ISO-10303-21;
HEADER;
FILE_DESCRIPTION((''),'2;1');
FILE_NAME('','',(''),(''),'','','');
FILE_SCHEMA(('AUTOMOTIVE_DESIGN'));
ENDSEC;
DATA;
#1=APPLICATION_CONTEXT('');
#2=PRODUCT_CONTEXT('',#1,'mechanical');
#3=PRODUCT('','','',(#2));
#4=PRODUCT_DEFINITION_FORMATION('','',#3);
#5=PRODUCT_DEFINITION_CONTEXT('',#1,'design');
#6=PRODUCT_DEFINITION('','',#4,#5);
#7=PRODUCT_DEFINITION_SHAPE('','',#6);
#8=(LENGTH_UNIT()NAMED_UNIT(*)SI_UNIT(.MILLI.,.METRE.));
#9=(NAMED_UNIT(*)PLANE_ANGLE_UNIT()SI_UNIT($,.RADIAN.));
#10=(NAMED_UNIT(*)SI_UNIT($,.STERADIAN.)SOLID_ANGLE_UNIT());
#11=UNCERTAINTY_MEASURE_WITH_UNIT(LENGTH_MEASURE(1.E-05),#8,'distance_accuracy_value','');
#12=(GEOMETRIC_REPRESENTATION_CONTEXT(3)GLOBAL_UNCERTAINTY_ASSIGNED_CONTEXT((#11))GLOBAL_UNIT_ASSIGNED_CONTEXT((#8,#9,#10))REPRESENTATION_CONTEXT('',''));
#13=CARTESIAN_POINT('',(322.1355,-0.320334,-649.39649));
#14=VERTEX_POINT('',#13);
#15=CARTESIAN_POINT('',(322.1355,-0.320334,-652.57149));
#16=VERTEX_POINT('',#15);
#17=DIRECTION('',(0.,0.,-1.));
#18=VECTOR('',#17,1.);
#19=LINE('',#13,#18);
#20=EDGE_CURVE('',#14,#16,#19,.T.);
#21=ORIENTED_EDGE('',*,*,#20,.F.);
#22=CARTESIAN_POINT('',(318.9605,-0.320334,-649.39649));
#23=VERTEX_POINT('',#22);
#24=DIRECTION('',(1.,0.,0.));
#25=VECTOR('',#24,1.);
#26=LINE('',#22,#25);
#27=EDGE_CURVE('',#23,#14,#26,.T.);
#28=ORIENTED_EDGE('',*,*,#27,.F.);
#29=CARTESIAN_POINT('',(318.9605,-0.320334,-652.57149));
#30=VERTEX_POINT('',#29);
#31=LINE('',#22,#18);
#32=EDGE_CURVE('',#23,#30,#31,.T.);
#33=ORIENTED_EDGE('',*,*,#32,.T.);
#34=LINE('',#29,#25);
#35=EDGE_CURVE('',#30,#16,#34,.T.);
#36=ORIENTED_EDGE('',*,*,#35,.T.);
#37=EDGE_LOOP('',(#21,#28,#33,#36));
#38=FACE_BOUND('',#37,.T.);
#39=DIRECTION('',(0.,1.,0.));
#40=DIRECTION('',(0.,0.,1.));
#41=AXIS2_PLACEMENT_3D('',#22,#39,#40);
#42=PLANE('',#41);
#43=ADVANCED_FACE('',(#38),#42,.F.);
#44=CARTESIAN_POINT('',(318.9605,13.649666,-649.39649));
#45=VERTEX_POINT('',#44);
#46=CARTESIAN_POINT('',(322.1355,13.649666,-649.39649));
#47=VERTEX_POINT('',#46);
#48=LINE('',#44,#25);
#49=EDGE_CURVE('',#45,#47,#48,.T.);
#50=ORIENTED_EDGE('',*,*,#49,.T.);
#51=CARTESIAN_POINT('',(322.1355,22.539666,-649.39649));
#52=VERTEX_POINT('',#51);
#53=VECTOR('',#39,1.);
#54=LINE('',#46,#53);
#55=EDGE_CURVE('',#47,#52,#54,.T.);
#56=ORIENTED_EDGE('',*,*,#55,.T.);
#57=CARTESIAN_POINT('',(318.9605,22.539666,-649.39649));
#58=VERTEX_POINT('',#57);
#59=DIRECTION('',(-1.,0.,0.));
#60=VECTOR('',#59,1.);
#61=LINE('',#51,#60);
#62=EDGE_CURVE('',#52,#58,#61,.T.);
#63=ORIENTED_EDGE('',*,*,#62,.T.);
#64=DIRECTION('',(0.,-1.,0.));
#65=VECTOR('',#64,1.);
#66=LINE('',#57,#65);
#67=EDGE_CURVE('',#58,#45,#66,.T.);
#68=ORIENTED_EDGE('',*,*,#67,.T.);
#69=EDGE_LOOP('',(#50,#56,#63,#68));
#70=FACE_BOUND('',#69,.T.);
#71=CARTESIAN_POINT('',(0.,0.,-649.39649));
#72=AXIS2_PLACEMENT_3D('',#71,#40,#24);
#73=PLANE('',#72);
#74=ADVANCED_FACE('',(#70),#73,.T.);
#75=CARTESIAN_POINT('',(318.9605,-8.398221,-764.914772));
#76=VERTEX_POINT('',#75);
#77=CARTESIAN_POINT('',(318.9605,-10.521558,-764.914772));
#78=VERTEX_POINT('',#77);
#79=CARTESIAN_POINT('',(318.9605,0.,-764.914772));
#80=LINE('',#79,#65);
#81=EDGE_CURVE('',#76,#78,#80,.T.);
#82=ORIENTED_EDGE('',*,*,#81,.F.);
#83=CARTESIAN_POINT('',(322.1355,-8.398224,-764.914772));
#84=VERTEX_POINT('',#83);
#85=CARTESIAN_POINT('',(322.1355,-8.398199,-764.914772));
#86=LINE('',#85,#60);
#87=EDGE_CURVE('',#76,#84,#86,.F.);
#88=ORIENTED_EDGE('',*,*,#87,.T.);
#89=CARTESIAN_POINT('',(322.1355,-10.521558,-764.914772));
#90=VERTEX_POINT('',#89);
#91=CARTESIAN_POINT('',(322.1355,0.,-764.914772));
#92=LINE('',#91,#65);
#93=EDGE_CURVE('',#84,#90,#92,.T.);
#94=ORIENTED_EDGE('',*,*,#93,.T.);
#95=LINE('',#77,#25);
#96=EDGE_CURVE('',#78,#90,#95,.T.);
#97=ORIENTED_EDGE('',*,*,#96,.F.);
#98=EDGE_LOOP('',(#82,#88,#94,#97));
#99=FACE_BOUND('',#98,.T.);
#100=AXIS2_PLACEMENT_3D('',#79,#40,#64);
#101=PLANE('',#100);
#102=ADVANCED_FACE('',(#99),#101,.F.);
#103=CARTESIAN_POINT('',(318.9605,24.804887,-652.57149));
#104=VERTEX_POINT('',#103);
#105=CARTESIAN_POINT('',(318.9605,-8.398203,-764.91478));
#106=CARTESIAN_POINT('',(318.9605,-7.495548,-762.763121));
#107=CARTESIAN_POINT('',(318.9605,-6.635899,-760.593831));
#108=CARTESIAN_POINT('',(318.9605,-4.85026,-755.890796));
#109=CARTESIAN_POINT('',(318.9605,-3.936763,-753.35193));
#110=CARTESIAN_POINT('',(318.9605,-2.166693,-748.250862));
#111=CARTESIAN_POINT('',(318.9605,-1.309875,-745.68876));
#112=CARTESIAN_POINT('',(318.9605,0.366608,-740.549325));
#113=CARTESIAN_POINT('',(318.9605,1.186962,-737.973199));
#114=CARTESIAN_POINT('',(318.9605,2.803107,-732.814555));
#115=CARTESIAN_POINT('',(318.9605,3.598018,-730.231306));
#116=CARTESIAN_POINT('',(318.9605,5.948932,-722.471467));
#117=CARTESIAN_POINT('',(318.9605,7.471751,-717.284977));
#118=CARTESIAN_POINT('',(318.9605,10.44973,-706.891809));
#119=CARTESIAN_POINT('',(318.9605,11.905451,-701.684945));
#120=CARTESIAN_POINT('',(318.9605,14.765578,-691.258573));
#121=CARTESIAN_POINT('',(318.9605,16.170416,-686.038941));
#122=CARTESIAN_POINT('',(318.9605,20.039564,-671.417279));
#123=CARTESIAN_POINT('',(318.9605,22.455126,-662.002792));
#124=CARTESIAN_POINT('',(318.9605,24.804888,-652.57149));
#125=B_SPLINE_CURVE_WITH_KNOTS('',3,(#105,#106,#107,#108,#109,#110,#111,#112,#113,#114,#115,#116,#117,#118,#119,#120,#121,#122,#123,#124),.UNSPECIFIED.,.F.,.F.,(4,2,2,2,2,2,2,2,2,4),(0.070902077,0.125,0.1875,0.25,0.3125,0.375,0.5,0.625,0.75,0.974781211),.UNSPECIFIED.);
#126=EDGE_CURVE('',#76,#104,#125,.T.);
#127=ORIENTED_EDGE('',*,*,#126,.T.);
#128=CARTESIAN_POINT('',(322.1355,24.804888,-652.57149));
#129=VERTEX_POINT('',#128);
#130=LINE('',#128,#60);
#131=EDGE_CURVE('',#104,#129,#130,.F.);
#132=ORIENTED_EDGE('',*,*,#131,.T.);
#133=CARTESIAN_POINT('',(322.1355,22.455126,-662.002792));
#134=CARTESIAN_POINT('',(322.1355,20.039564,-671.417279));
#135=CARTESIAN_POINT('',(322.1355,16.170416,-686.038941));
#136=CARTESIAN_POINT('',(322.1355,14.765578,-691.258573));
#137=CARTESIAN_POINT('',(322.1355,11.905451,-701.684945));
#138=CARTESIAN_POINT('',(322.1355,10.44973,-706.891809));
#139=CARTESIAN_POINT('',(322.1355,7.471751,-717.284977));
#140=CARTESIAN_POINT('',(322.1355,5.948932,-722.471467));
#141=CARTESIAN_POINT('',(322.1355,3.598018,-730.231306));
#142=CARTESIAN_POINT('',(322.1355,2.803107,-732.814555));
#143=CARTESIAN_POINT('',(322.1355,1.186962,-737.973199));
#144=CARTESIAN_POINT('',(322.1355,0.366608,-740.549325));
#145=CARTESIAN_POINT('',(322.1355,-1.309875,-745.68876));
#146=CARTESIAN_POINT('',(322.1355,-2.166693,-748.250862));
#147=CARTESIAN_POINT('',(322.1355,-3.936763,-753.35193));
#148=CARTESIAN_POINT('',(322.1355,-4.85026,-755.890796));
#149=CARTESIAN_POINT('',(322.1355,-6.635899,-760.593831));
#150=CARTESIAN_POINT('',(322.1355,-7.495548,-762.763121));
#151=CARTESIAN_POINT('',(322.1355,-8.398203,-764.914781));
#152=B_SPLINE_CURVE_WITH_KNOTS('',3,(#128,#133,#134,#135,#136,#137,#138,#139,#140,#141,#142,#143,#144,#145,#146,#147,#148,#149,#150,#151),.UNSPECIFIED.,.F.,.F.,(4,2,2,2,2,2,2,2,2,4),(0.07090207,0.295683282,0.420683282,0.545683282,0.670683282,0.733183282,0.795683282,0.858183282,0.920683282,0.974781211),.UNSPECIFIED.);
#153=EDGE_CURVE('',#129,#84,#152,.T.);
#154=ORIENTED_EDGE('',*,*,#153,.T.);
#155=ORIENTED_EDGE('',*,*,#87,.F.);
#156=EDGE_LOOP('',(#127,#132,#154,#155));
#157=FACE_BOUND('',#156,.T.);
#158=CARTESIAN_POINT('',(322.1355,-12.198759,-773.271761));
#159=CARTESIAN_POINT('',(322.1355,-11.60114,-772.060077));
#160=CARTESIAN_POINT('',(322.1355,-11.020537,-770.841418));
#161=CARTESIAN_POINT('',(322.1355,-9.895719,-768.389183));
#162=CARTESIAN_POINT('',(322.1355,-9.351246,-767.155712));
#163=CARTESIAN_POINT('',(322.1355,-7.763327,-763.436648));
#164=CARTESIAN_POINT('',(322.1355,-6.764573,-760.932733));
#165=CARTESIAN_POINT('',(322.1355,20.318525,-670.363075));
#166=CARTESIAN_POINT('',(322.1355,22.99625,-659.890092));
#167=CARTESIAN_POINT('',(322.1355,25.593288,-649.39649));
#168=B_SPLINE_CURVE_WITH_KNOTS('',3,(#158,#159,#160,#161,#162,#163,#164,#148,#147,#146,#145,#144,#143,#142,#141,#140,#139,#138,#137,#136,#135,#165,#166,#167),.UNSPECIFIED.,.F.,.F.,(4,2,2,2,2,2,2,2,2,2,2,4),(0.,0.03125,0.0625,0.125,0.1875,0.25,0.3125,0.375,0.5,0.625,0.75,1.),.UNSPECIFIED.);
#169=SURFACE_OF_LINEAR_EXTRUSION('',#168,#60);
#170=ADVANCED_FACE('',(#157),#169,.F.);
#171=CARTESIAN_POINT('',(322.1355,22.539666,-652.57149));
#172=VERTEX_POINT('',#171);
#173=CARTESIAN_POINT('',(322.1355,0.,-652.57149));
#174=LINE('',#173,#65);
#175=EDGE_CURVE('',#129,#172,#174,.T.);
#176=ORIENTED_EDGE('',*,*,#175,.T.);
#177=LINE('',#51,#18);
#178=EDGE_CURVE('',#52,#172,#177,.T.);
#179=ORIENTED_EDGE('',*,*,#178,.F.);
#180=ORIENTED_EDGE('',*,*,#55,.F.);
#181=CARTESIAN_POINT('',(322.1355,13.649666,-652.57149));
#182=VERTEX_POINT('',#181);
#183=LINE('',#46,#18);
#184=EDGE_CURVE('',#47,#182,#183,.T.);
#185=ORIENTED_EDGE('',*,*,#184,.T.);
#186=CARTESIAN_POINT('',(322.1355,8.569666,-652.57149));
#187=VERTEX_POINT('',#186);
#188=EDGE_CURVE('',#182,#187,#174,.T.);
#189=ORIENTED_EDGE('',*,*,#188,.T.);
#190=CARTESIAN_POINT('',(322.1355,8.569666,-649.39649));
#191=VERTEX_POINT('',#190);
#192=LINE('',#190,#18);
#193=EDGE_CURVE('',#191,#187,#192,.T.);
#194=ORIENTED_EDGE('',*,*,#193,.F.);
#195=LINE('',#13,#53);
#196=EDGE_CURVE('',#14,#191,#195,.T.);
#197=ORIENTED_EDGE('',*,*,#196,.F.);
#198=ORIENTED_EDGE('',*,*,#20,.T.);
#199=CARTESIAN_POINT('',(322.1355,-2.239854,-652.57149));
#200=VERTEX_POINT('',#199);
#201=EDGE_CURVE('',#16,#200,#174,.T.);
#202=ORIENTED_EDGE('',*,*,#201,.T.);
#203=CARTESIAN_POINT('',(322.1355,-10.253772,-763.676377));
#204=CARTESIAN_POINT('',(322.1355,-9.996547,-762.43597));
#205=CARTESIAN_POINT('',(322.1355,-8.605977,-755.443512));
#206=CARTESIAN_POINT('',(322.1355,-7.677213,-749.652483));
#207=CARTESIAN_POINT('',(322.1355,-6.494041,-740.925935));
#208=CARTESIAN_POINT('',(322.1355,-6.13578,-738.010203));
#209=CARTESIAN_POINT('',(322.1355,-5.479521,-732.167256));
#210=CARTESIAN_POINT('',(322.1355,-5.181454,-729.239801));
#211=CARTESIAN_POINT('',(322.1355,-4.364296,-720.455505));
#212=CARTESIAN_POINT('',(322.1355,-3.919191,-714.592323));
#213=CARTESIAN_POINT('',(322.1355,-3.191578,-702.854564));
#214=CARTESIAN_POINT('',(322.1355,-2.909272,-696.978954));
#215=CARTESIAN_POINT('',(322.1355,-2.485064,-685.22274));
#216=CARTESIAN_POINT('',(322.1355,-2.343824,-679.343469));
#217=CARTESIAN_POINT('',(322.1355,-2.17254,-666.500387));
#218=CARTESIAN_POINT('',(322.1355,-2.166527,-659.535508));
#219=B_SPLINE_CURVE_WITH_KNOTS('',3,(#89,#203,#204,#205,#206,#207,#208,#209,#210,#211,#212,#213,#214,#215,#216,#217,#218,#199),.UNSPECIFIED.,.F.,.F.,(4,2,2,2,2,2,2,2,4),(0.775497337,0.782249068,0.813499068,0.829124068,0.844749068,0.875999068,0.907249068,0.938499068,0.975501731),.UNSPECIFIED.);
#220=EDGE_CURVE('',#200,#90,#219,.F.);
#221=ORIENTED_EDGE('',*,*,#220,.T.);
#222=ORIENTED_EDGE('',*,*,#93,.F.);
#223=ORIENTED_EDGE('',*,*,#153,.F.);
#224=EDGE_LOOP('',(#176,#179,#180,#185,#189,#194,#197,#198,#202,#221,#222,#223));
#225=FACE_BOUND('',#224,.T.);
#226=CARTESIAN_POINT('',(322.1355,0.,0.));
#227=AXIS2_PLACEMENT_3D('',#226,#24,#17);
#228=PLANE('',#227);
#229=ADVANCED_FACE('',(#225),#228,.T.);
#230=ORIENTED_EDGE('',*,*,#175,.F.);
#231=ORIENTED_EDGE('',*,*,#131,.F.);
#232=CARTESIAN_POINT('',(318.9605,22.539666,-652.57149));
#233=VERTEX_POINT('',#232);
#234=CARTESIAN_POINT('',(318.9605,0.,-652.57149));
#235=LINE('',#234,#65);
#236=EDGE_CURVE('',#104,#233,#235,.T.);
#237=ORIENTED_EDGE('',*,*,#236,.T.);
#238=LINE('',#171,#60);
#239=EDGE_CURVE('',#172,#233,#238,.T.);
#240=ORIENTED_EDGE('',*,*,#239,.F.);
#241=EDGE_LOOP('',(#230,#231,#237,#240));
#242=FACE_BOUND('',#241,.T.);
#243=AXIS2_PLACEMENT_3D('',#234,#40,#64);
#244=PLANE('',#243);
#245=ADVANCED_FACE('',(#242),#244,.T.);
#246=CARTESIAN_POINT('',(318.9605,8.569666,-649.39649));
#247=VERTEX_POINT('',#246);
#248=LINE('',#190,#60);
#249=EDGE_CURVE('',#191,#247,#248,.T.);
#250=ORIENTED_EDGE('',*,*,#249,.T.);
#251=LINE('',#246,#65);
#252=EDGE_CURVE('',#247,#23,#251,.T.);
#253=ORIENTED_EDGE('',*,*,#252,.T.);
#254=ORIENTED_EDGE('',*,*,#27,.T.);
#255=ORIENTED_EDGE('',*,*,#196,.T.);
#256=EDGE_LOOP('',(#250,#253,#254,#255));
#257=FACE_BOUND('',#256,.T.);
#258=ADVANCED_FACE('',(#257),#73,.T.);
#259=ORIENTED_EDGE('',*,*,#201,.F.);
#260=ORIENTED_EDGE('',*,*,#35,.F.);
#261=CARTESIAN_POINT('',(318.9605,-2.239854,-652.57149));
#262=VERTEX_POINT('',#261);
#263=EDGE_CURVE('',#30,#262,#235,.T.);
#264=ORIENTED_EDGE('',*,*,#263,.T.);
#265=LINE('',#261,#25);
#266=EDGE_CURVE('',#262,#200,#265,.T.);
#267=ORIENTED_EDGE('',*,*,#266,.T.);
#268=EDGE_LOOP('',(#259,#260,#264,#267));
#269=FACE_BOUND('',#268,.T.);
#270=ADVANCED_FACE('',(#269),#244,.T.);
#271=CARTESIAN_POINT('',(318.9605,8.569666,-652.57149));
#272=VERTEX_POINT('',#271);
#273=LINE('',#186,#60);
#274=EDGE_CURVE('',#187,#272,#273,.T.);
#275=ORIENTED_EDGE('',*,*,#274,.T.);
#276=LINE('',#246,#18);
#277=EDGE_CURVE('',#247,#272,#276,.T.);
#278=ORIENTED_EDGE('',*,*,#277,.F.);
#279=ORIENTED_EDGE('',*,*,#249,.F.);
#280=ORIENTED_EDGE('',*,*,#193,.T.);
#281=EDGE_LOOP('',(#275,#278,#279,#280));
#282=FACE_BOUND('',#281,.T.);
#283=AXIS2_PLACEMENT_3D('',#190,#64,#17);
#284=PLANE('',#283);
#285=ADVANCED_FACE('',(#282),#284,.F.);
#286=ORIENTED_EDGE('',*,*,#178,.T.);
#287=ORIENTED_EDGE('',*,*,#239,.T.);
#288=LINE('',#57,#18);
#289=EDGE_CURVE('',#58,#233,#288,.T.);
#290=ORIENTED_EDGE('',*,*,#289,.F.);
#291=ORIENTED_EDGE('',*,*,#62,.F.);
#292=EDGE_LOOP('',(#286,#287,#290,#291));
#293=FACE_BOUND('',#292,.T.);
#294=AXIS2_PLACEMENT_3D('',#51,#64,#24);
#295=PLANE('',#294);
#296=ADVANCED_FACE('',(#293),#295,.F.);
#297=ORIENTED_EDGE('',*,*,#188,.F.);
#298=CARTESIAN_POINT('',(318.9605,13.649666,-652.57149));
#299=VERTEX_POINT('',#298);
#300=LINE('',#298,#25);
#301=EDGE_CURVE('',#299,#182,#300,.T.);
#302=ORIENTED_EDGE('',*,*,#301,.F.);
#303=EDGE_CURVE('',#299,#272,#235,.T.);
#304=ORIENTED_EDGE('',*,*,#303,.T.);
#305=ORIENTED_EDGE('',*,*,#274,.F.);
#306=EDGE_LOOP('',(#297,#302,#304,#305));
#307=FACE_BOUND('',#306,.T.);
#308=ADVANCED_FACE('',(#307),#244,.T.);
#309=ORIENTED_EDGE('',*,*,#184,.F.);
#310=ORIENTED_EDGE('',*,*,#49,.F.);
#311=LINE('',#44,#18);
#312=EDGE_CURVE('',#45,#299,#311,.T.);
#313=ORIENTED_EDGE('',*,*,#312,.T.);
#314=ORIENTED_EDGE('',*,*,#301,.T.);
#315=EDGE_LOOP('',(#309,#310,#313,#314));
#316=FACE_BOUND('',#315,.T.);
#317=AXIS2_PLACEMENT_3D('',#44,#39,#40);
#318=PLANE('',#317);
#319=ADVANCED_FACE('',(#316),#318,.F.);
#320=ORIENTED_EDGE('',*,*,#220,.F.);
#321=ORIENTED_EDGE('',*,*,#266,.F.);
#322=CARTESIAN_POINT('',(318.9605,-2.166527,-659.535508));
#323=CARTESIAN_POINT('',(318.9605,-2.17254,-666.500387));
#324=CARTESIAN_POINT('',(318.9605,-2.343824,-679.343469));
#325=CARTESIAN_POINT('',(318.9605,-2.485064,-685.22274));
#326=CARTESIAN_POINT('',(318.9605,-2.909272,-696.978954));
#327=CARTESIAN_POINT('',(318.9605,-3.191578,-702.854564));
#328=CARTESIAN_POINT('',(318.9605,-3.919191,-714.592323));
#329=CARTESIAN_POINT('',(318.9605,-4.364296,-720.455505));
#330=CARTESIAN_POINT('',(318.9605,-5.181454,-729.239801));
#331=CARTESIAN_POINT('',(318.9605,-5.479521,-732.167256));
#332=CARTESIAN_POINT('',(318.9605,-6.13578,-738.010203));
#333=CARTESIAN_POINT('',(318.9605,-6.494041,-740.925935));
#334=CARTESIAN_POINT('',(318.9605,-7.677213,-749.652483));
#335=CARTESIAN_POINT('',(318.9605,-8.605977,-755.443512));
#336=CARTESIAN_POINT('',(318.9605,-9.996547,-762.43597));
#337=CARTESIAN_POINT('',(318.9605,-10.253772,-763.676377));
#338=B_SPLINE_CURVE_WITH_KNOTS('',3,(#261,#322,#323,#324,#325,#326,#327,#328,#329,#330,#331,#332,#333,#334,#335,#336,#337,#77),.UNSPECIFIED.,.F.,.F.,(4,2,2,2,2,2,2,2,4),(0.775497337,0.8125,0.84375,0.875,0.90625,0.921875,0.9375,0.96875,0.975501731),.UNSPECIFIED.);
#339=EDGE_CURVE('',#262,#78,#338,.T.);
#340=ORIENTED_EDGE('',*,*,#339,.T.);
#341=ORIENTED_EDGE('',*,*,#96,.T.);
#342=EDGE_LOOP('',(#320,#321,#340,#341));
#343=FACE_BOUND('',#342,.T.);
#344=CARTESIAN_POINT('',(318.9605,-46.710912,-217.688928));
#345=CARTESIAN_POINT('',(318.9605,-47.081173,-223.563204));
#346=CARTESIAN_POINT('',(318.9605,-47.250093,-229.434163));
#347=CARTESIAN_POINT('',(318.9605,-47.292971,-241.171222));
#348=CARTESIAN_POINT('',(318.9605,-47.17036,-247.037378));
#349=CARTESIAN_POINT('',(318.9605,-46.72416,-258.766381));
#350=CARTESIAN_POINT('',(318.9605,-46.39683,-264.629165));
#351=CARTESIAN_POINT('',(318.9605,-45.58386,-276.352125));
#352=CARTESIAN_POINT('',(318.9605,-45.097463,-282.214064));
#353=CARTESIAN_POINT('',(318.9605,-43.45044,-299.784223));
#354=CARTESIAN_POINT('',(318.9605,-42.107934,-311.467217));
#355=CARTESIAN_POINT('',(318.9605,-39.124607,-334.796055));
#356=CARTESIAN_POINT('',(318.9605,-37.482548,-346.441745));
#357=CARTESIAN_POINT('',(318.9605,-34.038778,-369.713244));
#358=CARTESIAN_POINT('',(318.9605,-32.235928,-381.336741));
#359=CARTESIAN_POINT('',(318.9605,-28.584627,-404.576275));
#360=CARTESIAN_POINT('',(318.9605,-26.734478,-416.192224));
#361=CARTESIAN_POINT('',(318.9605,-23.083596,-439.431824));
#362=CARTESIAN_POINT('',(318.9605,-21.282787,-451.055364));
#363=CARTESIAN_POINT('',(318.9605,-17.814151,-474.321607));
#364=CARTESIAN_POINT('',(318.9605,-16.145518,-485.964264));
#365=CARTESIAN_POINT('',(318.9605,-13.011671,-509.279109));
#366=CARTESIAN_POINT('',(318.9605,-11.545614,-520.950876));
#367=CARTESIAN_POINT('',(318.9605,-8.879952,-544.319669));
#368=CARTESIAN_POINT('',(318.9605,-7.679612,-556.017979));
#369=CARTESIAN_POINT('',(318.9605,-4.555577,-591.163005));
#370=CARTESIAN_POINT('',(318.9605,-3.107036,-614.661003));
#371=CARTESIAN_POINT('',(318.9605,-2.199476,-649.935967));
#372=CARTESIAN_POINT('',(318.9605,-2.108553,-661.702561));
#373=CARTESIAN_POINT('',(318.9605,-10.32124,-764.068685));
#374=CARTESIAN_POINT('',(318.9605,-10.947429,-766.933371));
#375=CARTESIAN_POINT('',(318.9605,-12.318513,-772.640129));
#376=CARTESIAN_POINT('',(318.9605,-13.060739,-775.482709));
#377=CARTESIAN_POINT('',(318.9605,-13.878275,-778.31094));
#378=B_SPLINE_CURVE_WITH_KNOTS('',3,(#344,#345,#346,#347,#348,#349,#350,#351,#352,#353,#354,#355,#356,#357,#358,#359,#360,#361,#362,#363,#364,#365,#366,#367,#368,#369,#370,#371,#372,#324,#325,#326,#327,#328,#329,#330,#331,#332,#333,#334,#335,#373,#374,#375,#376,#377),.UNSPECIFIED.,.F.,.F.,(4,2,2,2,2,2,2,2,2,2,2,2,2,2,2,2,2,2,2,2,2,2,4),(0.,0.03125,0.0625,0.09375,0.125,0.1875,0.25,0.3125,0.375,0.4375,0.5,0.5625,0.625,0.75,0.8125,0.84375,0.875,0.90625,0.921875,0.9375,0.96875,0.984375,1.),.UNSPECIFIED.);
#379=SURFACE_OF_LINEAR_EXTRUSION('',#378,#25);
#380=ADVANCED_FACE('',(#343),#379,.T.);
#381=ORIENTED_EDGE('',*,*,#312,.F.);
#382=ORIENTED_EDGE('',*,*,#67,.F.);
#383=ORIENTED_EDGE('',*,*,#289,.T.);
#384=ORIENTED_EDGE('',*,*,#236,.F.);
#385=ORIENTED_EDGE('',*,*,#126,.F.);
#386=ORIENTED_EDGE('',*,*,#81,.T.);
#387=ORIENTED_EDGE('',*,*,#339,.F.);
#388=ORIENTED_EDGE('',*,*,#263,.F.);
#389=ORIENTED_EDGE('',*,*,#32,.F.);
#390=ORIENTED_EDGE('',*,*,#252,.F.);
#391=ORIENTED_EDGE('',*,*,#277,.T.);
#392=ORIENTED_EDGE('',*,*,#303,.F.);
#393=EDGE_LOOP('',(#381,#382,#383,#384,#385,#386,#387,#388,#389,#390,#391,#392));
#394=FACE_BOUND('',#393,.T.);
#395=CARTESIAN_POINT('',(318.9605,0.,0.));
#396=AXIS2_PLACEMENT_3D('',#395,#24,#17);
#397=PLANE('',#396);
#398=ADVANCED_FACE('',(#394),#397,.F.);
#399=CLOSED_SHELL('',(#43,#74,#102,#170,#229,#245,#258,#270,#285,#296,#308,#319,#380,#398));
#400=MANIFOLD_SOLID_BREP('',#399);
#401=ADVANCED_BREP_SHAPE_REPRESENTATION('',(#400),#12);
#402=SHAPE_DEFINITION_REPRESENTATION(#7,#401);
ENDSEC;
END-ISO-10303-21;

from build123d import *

# Parameters (mm, degrees)
BOSS_EXTRUDE1_DEPTH = 3.175
CUT_EXTRUDE1_DEPTH  = 3.175
SKETCH3_W           = 3.175
SKETCH3_H           = 8.89
BOSS_EXTRUDE3_DEPTH = 3.175


with BuildPart() as part:
    # Sketch1 → Boss-Extrude1 (new body)
    with BuildSketch(Plane(origin=(322.1355, 0, 0), x_dir=(0, 0, -1), z_dir=(1, 0, 0))):
        with BuildLine():
            Line((652.571489798, 25.444691841), (652.571489798, -2.239853871))
            add(Edge.make_bspline(
                [(652.571489798, -2.239853871), (659.535508053, -2.166526792), (666.500386762, -2.172540218), (679.343468905, -2.343824355), (685.222739923, -2.485063976), (696.978954297, -2.909271923), (702.85456416, -3.191578316), (714.592323323, -3.919191383), (720.455505411, -4.364295636), (729.239801176, -5.181453913), (732.167256327, -5.479520855), (738.010202726, -6.135780349), (740.925935315, -6.494041299), (749.652482821, -7.677212837), (755.443511526, -8.605976907), (762.435970423, -9.996546686), (763.676377356, -10.253772029), (764.914772229, -10.521558234)],
                knots=[0.775497337, 0.775497337, 0.775497337, 0.775497337, 0.8125, 0.8125, 0.84375, 0.84375, 0.875, 0.875, 0.90625, 0.90625, 0.921875, 0.921875, 0.9375, 0.9375, 0.96875, 0.96875, 0.975501731, 0.975501731, 0.975501731, 0.975501731], degree=3))
            Line((764.914772229, -10.521558234), (764.914772229, -7.95557204))
            add(Edge.make_bspline(
                [(764.914772229, -7.95557204), (762.592495307, -6.961678807), (760.248039666, -6.021012379), (755.381001417, -4.157972035), (752.855549055, -3.242485253), (747.781003843, -1.468246605), (745.231905095, -0.60950889), (737.561144422, 1.91039187), (732.426406495, 3.521427695), (722.132037513, 6.655448313), (716.971446899, 8.176495188), (706.629978042, 11.149031985), (701.449248475, 12.601031652), (691.072587644, 15.45291135), (685.876480278, 16.853200873), (671.324621162, 20.706496058), (661.956512682, 23.109383547), (652.571489798, 25.444691841)],
                knots=[0.066165924, 0.066165924, 0.066165924, 0.066165924, 0.125, 0.125, 0.1875, 0.1875, 0.25, 0.25, 0.375, 0.375, 0.5, 0.5, 0.625, 0.625, 0.75, 0.75, 0.974669525, 0.974669525, 0.974669525, 0.974669525], degree=3))
        make_face()
    extrude(amount=-BOSS_EXTRUDE1_DEPTH)

    # Sketch2 → Cut-Extrude1 (cut)
    with BuildSketch(Plane.ZY.offset(-318.9605)):
        with BuildLine():
            Line((-649.396489798, 25.593288016), (-650.006698592, 28.058900562))
            add(Edge.make_bspline(
                [(-650.006698592, 28.058900562), (-660.51321247, 25.45866754), (-681.483078121, 20.093474052), (-707.597104431, 12.962630416), (-728.392690314, 6.856018534), (-743.920155817, 2.015224435), (-756.792636164, -2.379192874), (-766.929271878, -6.418935387), (-771.93415167, -8.70689296), (-774.395298331, -9.920762993)],
                knots=[0, 0, 0, 0, 0.25, 0.5, 0.625, 0.75, 0.875, 0.9375, 1, 1, 1, 1], degree=3))
            Line((-774.395298331, -9.920762993), (-773.271760863, -12.198758506))
            add(Edge.make_bspline(
                [(-649.396489798, 25.593288016), (-659.890092199, 22.996250426), (-670.36307543, 20.318524911), (-686.038941126, 16.170415704), (-691.258573313, 14.76557782), (-701.684945224, 11.905450655), (-706.891809106, 10.449729715), (-717.284977007, 7.471750728), (-722.471467171, 5.948931584), (-730.231305632, 3.598018149), (-732.814554878, 2.803107207), (-737.973199119, 1.186961553), (-740.549325052, 0.366607699), (-745.688759805, -1.3098747), (-748.250861629, -2.166692715), (-753.351930275, -3.936762543), (-755.890796198, -4.850260484), (-760.932732715, -6.76457283), (-763.436647752, -7.763327362), (-767.155712151, -9.351246242), (-768.389182844, -9.895718895), (-770.8414182, -11.020536997), (-772.060077224, -11.601140135), (-773.271760863, -12.198758506)],
                knots=[0, 0, 0, 0, 0.25, 0.25, 0.375, 0.375, 0.5, 0.5, 0.625, 0.625, 0.6875, 0.6875, 0.75, 0.75, 0.8125, 0.8125, 0.875, 0.875, 0.9375, 0.9375, 0.96875, 0.96875, 1, 1, 1, 1], degree=3))
        make_face()
    extrude(amount=-CUT_EXTRUDE1_DEPTH, mode=Mode.SUBTRACT)

    # Sketch3 → Boss-Extrude3 (add)
    with BuildSketch(Plane.XY.offset(-652.571489798)):
        with Locations((320.548, 18.094665768)):
            Rectangle(SKETCH3_W, SKETCH3_H)
        with Locations((320.548, 4.124665768)):
            Rectangle(SKETCH3_W, SKETCH3_H)
    extrude(amount=BOSS_EXTRUDE3_DEPTH)


solid = part.part
